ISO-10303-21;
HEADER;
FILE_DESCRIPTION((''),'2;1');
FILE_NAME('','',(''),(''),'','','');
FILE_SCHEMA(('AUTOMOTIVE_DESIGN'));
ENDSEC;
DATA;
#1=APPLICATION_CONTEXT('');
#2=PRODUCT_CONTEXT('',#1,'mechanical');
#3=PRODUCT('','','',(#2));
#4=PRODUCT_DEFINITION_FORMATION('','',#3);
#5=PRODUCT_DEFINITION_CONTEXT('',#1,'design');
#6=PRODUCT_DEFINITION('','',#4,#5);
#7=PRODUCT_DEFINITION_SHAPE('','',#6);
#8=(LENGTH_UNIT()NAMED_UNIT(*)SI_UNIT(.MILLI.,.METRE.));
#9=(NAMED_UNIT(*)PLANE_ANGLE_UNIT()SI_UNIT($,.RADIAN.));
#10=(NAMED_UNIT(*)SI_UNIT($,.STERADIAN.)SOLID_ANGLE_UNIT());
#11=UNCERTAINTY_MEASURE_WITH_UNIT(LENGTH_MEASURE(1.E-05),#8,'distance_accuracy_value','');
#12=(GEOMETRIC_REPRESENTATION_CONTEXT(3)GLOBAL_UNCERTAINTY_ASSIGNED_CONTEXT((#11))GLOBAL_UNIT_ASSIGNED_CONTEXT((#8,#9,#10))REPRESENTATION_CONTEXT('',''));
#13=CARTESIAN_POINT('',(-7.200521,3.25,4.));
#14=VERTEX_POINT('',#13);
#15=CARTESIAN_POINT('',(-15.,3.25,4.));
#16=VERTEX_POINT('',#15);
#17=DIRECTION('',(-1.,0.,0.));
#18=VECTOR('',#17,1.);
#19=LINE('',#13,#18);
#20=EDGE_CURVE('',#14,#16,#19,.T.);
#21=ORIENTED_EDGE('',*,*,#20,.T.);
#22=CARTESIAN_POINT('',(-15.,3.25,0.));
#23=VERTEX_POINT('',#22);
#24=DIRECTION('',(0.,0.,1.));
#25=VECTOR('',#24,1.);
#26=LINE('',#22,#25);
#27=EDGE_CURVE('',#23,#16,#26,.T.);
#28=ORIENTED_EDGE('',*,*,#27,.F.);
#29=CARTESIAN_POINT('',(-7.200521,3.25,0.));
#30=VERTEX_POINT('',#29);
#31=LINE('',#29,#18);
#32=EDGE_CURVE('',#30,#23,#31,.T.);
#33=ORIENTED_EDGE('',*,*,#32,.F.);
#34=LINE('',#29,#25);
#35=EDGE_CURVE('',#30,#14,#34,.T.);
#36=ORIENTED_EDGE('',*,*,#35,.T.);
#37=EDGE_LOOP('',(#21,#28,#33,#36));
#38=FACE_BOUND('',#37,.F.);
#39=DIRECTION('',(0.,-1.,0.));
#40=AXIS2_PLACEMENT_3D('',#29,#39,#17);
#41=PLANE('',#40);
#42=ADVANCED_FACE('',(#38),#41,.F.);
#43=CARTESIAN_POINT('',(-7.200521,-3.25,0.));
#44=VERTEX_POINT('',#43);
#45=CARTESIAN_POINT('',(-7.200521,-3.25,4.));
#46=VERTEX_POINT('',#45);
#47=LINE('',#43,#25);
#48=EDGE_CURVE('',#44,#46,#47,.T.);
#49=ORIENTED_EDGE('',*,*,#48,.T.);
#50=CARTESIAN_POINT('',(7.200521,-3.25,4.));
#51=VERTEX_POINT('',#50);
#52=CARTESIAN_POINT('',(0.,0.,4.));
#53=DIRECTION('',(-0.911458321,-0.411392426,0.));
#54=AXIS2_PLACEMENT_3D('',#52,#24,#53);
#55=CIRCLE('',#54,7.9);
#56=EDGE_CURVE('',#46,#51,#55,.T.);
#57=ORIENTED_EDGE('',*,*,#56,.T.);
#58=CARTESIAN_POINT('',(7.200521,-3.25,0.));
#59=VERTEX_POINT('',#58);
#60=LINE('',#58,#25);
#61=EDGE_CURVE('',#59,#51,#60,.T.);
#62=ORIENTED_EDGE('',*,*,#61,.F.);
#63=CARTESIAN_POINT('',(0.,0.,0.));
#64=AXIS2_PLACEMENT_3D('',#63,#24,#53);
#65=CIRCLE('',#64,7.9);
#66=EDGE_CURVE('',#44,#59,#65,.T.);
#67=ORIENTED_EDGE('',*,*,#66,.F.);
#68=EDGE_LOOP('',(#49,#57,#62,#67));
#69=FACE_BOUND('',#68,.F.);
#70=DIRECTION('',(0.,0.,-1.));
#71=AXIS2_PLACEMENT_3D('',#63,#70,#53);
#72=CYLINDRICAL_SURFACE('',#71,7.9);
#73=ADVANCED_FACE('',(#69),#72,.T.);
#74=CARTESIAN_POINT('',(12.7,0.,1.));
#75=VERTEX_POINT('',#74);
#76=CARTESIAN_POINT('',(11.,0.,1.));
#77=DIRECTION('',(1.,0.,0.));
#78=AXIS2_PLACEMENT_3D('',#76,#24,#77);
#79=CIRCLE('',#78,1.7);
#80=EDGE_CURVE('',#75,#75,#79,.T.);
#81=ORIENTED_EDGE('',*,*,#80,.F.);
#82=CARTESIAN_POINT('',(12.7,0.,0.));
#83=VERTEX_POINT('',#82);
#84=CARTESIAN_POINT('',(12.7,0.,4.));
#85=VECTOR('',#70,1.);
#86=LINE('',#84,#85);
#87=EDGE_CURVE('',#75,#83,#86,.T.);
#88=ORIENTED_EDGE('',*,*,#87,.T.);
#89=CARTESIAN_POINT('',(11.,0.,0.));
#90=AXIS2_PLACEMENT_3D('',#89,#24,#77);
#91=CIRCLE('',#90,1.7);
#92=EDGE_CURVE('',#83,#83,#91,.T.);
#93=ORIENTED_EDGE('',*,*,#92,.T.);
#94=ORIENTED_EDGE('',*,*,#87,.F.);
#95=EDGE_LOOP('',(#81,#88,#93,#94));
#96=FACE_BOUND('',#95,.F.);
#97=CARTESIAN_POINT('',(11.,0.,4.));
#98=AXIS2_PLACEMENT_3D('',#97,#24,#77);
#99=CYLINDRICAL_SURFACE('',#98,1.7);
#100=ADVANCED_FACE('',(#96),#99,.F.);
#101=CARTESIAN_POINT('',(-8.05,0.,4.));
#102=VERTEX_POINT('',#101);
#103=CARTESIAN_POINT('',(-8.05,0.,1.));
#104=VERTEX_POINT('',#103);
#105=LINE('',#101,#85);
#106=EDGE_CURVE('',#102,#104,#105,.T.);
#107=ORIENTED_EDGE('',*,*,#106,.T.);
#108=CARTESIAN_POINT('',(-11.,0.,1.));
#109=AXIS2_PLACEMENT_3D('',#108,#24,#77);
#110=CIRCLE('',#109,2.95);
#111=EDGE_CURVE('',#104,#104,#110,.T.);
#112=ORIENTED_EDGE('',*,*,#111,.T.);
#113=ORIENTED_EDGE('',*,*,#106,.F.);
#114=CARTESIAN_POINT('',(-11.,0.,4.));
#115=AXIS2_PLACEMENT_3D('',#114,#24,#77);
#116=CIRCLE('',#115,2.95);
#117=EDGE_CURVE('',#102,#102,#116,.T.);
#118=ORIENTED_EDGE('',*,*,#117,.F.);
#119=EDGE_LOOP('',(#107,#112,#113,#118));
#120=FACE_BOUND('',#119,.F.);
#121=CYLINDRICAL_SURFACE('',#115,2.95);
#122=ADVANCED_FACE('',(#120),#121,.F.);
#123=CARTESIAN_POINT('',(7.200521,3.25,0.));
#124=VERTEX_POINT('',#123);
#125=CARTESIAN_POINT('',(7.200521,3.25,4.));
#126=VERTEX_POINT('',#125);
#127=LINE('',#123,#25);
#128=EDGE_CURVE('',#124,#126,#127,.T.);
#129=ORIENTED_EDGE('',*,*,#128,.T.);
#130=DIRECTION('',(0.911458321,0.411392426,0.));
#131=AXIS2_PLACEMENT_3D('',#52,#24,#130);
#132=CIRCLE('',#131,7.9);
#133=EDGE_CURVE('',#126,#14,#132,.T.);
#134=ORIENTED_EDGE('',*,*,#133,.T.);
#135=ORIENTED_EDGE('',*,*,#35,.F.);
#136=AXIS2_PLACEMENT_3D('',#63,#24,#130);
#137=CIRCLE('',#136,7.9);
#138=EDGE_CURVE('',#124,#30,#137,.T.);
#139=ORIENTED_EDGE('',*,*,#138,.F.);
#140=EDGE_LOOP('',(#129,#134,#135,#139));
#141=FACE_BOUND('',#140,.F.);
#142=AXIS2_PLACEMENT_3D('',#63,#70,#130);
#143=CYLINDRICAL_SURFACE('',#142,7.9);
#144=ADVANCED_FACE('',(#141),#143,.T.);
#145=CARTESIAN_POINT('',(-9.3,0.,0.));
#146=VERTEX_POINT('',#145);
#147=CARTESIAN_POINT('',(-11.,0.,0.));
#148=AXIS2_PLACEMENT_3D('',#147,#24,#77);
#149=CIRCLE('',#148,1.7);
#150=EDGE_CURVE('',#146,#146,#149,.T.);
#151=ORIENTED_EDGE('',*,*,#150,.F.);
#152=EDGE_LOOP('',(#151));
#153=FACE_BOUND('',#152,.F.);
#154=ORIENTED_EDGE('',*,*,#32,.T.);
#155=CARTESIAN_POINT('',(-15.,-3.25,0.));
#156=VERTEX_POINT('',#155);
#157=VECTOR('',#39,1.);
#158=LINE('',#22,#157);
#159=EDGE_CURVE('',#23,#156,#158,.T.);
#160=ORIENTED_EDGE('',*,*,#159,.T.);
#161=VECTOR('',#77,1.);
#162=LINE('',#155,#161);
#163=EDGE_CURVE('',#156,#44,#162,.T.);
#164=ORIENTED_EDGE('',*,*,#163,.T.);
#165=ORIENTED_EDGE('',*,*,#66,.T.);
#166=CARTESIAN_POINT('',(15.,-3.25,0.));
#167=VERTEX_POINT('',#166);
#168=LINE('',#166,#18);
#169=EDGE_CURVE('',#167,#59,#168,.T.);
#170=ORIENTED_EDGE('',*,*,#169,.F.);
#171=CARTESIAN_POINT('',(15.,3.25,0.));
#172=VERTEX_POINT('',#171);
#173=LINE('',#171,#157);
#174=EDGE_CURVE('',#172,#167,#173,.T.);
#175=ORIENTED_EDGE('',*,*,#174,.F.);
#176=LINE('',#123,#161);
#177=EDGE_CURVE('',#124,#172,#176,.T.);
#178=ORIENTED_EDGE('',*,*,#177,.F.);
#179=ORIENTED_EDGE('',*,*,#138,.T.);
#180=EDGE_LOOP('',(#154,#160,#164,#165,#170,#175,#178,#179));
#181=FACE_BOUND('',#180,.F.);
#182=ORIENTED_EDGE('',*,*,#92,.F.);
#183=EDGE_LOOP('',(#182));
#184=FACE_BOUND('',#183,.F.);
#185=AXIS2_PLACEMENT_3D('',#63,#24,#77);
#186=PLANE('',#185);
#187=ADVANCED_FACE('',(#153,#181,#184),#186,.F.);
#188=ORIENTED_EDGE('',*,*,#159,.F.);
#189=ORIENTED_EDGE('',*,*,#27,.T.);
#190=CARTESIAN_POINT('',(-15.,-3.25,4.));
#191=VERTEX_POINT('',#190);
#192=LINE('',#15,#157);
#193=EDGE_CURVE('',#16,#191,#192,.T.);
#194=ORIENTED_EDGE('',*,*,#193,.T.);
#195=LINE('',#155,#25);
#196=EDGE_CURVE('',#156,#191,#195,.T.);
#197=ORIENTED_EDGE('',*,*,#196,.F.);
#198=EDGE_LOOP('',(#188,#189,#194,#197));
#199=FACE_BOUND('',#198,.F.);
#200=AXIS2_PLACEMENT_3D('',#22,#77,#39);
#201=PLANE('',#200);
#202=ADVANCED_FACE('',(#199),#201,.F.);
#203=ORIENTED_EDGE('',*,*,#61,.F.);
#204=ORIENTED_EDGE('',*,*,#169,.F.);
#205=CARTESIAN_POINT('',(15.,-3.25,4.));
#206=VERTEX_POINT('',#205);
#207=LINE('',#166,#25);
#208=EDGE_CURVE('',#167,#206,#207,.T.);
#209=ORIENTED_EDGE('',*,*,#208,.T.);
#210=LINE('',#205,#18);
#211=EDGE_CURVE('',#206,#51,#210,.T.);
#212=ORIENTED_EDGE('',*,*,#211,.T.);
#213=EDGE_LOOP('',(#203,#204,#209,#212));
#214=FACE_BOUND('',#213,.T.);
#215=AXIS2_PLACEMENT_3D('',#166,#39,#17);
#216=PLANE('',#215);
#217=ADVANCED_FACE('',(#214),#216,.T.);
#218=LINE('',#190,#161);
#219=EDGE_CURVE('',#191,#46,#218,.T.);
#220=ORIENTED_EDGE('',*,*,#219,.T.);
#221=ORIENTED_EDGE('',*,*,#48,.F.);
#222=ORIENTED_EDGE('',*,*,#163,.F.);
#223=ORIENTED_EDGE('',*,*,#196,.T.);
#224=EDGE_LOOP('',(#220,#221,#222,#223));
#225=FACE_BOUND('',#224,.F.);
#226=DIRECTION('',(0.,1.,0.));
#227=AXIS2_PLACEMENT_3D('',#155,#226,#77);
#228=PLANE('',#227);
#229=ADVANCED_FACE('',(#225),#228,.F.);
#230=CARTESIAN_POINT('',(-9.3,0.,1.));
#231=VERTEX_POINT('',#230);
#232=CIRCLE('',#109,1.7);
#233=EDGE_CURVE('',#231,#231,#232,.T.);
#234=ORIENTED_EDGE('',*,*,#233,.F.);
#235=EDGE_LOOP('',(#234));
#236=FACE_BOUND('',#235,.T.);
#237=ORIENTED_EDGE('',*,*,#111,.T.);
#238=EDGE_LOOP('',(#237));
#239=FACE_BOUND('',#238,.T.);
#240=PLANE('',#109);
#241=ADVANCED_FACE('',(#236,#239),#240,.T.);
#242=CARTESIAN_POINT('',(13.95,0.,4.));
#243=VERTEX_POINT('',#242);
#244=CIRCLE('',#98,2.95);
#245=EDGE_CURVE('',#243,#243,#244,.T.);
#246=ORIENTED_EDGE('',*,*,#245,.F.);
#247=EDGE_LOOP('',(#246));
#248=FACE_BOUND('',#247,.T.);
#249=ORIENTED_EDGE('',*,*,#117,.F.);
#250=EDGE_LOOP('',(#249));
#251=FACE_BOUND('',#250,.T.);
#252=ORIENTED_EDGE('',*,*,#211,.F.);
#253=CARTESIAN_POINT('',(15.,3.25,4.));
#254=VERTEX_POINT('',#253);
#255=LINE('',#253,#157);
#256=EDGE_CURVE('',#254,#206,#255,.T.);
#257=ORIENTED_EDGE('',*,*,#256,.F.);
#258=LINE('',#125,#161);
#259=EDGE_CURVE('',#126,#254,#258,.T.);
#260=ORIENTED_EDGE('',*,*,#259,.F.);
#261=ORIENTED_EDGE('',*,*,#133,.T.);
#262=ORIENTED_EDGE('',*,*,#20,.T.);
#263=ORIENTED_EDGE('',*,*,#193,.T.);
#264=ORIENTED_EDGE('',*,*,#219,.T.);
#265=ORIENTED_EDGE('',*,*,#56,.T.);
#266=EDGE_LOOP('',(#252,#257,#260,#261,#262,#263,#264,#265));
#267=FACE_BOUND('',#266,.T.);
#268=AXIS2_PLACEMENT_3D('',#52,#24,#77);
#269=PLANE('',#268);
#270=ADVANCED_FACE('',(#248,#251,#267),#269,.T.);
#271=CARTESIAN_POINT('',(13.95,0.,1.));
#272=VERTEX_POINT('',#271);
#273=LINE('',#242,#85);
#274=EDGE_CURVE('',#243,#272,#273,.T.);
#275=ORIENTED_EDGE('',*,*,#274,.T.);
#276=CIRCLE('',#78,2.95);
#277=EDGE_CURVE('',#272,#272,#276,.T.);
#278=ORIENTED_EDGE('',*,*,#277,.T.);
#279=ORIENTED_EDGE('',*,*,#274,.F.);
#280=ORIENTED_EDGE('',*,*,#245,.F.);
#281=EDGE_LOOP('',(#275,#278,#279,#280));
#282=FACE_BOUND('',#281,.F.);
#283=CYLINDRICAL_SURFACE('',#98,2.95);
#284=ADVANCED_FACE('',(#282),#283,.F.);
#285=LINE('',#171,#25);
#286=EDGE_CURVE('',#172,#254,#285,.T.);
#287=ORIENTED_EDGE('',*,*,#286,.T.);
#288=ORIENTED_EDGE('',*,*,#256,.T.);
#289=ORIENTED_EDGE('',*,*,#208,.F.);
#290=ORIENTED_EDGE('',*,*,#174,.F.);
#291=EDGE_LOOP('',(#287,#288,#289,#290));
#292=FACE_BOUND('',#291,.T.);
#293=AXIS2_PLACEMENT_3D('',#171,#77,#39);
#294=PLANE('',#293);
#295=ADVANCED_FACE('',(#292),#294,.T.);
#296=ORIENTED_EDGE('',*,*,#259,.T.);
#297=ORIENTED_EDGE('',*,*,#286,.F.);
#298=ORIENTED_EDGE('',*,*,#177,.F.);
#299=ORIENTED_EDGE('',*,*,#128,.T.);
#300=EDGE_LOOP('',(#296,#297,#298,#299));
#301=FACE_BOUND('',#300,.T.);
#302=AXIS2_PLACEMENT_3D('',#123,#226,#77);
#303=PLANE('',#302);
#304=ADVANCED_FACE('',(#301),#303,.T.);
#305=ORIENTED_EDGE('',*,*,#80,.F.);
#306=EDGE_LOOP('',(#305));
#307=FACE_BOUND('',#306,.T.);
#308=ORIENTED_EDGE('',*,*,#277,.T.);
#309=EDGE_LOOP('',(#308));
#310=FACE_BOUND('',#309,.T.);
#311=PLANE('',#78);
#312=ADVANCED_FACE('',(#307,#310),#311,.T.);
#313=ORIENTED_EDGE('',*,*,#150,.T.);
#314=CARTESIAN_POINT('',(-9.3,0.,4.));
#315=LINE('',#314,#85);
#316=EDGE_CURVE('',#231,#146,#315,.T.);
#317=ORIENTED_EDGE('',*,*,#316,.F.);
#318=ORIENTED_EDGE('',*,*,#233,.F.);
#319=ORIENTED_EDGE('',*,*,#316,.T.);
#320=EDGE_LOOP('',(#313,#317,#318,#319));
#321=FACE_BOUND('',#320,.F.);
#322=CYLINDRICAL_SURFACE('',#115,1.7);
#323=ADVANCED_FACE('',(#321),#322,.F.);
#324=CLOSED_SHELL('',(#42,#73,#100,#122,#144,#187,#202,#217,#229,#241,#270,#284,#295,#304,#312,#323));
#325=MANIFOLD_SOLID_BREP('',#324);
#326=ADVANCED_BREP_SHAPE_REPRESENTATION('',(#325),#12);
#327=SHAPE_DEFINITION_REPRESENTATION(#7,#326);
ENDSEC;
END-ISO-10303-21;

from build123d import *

# Parameters (mm, degrees)
PAD_DEPTH       = 4
SKETCH001_R     = 1.7
POCKET_DEPTH    = 4.001
SKETCH002_R     = 2.95
POCKET001_DEPTH = 3


with BuildPart() as part:
    # Sketch → Pad (new body)
    with BuildSketch(Plane.XY):
        with BuildLine():
            Line((-7.200521, 3.25), (-15, 3.25))
            Line((-15, 3.25), (-15, -3.25))
            Line((-15, -3.25), (-7.200521, -3.25))
            ThreePointArc((-7.200521, -3.25), (0, -7.9), (7.200521, -3.25))
            Line((15, -3.25), (7.200521, -3.25))
            Line((15, 3.25), (15, -3.25))
            Line((7.200521, 3.25), (15, 3.25))
            ThreePointArc((7.200521, 3.25), (0, 7.9), (-7.200521, 3.25))
        make_face()
    extrude(amount=PAD_DEPTH)

    # Sketch001 (on Face10 of Pad) → Pocket (cut, through all)
    with BuildSketch(Plane.XY.offset(4)):
        with Locations((11, 0)):
            Circle(SKETCH001_R)
        with Locations((-11, 0)):
            Circle(SKETCH001_R)
    extrude(amount=-POCKET_DEPTH, mode=Mode.SUBTRACT)

    # Sketch002 (on Face5 of Pocket) → Pocket001 (cut)
    with BuildSketch(Plane.XY.offset(4)):
        with Locations((-11, 0)):
            Circle(SKETCH002_R)
        with Locations((11, 0)):
            Circle(SKETCH002_R)
    extrude(amount=-POCKET001_DEPTH, mode=Mode.SUBTRACT)


solid = part.part
